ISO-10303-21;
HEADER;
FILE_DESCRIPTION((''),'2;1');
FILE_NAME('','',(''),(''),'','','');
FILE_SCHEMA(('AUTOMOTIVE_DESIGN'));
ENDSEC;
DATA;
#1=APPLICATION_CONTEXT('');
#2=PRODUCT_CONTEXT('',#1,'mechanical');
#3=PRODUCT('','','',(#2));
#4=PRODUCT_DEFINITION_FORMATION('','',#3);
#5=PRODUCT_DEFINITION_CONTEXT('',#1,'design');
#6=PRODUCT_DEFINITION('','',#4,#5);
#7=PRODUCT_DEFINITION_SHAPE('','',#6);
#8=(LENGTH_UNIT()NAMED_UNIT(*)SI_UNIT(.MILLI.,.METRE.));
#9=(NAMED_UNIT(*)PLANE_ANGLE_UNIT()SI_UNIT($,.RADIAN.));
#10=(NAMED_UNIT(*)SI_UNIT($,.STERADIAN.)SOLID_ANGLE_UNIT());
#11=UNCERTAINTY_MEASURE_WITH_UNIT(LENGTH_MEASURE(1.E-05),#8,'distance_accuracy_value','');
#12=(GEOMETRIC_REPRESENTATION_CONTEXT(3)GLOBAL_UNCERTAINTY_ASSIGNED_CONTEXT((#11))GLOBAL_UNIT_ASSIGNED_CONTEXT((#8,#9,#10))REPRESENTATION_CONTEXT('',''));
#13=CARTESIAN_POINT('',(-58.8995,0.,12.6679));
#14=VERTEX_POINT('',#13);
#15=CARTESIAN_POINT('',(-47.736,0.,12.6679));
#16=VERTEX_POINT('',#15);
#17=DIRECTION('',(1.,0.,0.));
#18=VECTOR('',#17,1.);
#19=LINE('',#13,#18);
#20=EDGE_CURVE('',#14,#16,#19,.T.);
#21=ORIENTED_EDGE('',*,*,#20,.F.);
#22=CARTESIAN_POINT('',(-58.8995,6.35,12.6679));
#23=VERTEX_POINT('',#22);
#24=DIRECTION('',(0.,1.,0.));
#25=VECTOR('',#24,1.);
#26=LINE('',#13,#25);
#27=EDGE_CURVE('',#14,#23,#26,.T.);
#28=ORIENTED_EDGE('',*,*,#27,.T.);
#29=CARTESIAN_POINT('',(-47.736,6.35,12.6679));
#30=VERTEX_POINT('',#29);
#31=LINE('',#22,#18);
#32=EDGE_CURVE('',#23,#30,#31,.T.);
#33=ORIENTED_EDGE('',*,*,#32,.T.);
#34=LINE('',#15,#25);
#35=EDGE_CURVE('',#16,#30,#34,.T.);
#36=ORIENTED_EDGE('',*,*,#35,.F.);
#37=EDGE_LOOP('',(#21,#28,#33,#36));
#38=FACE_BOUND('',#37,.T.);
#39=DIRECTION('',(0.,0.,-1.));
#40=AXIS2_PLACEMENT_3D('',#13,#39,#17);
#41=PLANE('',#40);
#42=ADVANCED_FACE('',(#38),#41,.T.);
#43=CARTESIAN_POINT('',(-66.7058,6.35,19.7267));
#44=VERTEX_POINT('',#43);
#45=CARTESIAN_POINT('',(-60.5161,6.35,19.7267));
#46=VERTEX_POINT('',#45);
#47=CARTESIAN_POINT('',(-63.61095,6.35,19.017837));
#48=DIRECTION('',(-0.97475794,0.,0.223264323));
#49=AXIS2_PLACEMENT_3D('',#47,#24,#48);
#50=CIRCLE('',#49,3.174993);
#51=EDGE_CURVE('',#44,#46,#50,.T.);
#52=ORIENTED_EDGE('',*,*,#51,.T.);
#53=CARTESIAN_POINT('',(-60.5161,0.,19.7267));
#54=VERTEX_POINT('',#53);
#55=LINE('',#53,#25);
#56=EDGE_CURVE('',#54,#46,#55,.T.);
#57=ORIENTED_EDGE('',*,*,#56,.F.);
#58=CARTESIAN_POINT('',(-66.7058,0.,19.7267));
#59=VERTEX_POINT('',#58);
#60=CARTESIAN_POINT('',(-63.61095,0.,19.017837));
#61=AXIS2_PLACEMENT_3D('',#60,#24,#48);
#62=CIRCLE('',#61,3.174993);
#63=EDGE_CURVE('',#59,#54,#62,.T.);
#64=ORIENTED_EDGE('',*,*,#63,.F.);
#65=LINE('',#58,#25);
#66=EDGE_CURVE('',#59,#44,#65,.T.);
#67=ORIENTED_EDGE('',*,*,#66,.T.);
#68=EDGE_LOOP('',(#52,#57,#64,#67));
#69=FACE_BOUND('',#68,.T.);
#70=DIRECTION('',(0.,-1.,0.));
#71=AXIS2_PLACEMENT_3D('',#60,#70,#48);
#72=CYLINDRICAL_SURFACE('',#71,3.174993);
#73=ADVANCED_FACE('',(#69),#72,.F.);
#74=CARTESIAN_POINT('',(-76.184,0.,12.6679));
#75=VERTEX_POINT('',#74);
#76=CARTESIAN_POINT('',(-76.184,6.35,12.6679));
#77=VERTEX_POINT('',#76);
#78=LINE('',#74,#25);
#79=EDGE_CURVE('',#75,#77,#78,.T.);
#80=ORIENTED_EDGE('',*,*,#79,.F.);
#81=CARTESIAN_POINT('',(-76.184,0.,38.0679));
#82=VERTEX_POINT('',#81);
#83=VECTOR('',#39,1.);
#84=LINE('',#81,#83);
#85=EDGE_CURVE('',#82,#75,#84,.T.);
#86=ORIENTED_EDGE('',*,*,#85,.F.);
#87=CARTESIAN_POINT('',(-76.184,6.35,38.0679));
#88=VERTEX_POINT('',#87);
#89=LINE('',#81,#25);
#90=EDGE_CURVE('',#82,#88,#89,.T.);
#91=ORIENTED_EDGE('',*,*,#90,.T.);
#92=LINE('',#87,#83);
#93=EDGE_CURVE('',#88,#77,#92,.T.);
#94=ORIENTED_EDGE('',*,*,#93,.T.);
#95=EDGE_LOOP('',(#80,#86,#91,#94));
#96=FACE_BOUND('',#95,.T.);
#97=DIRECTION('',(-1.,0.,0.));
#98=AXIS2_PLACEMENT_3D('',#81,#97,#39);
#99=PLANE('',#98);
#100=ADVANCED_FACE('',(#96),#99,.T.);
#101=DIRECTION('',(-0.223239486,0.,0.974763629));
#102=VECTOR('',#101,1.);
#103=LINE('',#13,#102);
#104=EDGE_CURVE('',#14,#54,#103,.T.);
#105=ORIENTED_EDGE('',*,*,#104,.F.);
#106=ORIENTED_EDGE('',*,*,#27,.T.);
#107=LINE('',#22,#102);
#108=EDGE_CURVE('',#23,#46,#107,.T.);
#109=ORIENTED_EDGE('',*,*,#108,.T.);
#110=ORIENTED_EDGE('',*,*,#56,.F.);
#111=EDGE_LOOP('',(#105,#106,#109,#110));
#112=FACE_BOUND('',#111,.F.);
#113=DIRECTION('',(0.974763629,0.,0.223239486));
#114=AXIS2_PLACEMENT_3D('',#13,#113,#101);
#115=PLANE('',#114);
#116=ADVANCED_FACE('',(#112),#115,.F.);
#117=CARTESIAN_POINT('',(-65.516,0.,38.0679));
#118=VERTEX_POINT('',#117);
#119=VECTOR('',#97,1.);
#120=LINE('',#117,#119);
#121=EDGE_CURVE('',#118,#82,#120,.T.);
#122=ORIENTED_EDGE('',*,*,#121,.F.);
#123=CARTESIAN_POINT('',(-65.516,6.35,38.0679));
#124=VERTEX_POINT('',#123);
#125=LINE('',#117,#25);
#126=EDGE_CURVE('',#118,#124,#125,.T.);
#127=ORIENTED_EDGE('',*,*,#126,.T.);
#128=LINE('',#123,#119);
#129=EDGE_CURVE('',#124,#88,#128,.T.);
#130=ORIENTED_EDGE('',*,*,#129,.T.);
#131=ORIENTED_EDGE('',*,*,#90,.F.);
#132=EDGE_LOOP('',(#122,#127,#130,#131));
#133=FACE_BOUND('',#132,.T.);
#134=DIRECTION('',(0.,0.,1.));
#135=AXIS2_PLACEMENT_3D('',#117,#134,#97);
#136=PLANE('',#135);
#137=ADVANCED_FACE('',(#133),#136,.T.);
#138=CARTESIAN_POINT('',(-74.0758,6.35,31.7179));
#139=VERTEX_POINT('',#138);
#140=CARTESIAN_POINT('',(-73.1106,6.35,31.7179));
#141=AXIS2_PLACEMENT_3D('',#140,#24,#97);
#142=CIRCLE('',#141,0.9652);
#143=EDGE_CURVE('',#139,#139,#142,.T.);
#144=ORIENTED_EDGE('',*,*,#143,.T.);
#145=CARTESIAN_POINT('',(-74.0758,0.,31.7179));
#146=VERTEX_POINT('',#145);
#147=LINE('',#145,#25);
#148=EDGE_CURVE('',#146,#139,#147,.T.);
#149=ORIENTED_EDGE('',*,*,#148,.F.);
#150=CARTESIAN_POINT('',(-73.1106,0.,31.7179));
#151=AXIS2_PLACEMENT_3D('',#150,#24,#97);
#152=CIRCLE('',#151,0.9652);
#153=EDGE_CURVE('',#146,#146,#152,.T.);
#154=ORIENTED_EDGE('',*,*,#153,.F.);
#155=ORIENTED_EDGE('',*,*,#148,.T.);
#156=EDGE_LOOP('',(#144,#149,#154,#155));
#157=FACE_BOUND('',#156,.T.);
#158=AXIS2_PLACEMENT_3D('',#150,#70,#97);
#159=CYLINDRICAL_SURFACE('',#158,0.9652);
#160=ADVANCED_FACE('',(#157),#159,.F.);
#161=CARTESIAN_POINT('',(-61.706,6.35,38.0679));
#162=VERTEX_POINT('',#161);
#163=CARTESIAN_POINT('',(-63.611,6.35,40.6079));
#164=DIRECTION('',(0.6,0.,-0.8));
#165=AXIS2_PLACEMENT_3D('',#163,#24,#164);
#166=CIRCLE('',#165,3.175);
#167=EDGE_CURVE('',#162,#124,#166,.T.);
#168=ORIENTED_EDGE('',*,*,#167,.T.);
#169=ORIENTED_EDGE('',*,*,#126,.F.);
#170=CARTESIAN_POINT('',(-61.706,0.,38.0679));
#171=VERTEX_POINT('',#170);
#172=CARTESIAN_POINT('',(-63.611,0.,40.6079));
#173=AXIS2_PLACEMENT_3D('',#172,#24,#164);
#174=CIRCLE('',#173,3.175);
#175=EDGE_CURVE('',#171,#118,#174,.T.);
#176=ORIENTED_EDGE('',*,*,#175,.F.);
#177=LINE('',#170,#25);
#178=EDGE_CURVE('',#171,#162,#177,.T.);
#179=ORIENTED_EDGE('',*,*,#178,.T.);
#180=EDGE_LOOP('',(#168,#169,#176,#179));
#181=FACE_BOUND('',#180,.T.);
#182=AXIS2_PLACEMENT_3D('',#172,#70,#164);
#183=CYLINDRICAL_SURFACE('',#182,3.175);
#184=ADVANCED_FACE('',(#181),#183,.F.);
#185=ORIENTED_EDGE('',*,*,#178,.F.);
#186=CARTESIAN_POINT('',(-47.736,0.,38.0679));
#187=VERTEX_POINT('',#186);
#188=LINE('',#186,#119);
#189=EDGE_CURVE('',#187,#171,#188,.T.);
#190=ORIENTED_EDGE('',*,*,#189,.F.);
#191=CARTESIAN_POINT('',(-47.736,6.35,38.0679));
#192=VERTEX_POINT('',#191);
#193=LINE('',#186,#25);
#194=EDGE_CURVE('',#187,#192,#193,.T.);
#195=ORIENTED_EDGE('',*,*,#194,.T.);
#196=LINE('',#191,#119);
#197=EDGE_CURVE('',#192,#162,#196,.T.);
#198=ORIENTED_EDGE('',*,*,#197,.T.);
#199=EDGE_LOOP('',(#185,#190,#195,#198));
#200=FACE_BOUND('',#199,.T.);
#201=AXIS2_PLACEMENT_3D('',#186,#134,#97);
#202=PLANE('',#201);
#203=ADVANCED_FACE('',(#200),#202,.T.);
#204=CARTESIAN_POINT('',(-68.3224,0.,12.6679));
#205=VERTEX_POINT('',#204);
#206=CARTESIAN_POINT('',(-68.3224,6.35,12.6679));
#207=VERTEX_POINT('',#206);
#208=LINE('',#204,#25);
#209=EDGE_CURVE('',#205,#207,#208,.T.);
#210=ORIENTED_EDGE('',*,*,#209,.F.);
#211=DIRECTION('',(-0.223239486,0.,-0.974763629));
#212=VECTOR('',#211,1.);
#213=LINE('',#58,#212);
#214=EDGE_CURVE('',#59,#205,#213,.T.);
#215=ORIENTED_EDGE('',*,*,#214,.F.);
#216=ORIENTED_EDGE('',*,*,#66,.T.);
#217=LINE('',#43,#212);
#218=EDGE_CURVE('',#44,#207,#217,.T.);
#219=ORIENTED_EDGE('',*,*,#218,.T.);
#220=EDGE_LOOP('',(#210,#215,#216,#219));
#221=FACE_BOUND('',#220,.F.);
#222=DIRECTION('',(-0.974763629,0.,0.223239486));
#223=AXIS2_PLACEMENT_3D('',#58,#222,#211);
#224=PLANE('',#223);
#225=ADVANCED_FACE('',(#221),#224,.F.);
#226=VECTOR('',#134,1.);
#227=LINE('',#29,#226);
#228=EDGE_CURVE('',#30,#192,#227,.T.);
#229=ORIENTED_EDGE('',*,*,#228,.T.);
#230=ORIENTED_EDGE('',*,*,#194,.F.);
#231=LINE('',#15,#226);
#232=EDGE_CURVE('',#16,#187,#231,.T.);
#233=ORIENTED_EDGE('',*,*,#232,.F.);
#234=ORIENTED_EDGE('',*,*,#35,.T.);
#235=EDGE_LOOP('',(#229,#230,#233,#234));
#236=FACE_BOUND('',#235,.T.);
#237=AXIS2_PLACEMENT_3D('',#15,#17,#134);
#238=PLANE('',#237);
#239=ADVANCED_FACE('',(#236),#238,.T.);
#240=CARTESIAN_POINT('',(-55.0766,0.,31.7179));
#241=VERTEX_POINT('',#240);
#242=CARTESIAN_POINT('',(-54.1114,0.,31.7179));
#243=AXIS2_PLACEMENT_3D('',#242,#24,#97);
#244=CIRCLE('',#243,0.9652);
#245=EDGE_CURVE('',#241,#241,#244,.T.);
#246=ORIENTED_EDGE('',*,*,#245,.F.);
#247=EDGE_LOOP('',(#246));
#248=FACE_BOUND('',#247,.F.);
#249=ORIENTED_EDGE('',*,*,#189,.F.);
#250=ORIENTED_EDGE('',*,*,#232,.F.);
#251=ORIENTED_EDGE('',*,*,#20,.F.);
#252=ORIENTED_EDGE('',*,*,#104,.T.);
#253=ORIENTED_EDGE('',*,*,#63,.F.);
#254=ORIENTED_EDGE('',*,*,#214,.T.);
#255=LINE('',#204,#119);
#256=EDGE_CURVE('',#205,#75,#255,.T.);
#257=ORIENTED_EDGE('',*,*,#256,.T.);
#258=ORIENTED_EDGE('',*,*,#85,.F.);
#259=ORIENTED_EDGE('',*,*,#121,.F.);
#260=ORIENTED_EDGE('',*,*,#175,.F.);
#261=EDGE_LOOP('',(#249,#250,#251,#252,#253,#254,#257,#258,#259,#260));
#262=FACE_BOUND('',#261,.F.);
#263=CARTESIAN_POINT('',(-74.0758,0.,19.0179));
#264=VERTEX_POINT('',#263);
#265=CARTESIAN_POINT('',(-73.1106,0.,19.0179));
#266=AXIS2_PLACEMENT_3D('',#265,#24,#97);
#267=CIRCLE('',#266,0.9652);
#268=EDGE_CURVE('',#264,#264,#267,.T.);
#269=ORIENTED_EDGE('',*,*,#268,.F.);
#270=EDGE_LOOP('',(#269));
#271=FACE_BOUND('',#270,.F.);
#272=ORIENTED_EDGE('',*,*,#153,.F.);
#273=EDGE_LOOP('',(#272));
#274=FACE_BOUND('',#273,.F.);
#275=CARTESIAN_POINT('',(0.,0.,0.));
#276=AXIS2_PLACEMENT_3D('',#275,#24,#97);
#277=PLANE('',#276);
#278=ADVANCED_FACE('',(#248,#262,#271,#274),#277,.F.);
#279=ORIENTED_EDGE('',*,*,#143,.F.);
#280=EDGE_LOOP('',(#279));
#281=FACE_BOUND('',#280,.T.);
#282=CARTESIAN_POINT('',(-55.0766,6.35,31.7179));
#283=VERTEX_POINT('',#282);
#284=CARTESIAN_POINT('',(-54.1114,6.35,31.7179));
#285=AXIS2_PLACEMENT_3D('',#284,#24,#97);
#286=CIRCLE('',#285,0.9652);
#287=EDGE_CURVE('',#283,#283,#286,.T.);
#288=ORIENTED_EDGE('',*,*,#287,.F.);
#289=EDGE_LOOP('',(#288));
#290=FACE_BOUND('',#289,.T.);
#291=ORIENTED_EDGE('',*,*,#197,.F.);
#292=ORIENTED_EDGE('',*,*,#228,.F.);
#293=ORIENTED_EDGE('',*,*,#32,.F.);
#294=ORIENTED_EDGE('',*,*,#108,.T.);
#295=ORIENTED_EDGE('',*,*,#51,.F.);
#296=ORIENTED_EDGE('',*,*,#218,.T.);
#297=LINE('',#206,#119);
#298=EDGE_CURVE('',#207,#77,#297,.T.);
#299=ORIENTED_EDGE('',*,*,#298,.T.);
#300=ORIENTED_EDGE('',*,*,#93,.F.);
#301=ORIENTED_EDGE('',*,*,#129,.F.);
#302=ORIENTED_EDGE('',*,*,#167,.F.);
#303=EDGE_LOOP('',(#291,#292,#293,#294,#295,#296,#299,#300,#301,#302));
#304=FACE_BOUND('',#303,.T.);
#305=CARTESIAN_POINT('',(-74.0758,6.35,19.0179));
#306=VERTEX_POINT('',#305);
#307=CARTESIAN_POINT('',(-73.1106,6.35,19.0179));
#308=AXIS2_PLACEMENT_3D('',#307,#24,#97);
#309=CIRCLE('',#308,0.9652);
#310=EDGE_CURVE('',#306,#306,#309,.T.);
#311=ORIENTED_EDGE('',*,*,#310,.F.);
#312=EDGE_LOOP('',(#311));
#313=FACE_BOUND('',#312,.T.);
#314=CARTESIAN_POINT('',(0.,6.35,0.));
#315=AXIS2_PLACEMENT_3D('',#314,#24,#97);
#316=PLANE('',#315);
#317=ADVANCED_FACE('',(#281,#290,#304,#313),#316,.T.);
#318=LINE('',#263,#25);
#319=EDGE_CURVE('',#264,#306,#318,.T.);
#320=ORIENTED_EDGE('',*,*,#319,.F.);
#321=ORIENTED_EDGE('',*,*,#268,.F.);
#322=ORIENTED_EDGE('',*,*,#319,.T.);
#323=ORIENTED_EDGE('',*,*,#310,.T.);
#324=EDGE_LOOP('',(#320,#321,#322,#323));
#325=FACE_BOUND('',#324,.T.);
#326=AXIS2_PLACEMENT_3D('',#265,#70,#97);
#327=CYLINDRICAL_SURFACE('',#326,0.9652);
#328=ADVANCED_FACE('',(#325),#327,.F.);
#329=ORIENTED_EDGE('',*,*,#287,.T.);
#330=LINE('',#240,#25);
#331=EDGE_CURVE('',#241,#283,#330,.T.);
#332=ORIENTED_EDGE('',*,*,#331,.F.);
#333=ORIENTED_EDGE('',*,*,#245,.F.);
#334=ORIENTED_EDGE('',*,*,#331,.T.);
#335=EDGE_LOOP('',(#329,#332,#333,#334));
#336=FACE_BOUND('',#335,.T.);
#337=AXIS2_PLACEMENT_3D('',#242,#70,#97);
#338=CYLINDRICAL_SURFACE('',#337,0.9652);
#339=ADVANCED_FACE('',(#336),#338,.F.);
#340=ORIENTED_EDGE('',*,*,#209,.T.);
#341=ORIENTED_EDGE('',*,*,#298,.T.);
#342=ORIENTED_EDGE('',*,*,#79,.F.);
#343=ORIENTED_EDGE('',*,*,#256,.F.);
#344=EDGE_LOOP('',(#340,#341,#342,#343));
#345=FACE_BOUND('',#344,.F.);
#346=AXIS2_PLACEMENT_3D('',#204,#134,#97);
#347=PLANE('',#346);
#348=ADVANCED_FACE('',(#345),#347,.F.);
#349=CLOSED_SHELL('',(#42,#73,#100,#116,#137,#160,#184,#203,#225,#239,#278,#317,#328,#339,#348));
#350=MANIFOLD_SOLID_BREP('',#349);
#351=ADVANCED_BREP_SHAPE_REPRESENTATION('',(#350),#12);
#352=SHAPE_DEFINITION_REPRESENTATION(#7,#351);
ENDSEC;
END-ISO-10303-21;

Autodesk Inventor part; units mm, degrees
ref_plane "YZ Plane" through (0, 0, 0) normal (1, 0, 0) x (0, 1, 0)
ref_plane "XZ Plane" through (0, 0, 0) normal (0, 1, 0) x (-1, 0, 0)
ref_plane "XY Plane" through (0, 0, 0) normal (0, 0, 1) x (1, 0, 0)
sketch "Sketch1" plane through (0, 0, 0) normal (0, 1, 0) x (-1, 0, 0)
  circle A0 centre (73.1106, 19.0179) radius 0.9652
  circle A1 centre (73.1106, 31.7179) radius 0.9652
  circle A2 centre (54.1114, 31.7179) radius 0.9652
  line L0 (58.8995, 12.6679) -> (60.5161, 19.7267)
  arc A3 (66.7058, 19.7267) -> (60.5161, 19.7267) centre (63.611, 19.0179) ccw
  line L1 (66.7058, 19.7267) -> (68.3224, 12.6679)
  arc A4 (61.706, 38.0679) -> (65.516, 38.0679) centre (63.611, 40.6079) ccw
  line L2 (79.486, 38.0679) -> (79.486, 12.6679) construction
  line L3 (47.736, 12.6679) -> (47.736, 38.0679)
  line L4 (47.736, 38.0679) -> (61.706, 38.0679)
  line L5 (65.516, 38.0679) -> (79.486, 38.0679) construction
  line L6 (79.486, 12.6679) -> (68.3224, 12.6679) construction
  line L7 (58.8995, 12.6679) -> (47.736, 12.6679)
  line L8 (76.184, 38.0679) -> (76.184, 12.6679)
  line L9 (65.516, 38.0679) -> (76.184, 38.0679)
  line L10 (68.3224, 12.6679) -> (76.184, 12.6679)
  point P0 (0, 0)
  dimension "d9" = 1.9304
  dimension "d10" = 25.4
  dimension "d11" = 31.75
  dimension "d14" = 18.9992
  dimension "d15" = 6.3754
  dimension "d16" = 15.875
  dimension "d17" = 15.875
  dimension "d18" = 28.448
extrude "Extrusion1" add sketch "Sketch1" along normal blind 6.35
sketch "Sketch3" plane through (0, 0, 0) normal (0, -1, 0) x (1, 0, 0)
  arc A0 (-60.5161, 19.7267) -> (-66.7058, 19.7267) centre (-63.611, 19.0179) ccw projected
  line L0 (-58.8995, 12.6679) -> (-60.5161, 19.7267) projected
  line L1 (-47.736, 12.6679) -> (-58.8995, 12.6679) projected
  line L2 (-47.736, 38.0679) -> (-47.736, 12.6679) projected
  line L3 (-61.706, 38.0679) -> (-47.736, 38.0679) projected
  arc A1 (-65.516, 38.0679) -> (-61.706, 38.0679) centre (-63.611, 40.6079) ccw projected
  line L4 (-76.184, 38.0679) -> (-65.516, 38.0679) projected
  line L5 (-76.184, 12.6679) -> (-76.184, 38.0679) projected
  line L6 (-68.3224, 12.6679) -> (-76.184, 12.6679) projected
  line L7 (-66.7058, 19.7267) -> (-68.3224, 12.6679) projected
  circle A2 centre (-54.1114, 31.7179) radius 0.9652 projected
  circle A3 centre (-73.1106, 31.7179) radius 0.9652 projected
  circle A4 centre (-73.1106, 19.0179) radius 0.9652 projected
  point P0 (0, 0)
properties part number "delrin for sides" material "UHMW, White"
